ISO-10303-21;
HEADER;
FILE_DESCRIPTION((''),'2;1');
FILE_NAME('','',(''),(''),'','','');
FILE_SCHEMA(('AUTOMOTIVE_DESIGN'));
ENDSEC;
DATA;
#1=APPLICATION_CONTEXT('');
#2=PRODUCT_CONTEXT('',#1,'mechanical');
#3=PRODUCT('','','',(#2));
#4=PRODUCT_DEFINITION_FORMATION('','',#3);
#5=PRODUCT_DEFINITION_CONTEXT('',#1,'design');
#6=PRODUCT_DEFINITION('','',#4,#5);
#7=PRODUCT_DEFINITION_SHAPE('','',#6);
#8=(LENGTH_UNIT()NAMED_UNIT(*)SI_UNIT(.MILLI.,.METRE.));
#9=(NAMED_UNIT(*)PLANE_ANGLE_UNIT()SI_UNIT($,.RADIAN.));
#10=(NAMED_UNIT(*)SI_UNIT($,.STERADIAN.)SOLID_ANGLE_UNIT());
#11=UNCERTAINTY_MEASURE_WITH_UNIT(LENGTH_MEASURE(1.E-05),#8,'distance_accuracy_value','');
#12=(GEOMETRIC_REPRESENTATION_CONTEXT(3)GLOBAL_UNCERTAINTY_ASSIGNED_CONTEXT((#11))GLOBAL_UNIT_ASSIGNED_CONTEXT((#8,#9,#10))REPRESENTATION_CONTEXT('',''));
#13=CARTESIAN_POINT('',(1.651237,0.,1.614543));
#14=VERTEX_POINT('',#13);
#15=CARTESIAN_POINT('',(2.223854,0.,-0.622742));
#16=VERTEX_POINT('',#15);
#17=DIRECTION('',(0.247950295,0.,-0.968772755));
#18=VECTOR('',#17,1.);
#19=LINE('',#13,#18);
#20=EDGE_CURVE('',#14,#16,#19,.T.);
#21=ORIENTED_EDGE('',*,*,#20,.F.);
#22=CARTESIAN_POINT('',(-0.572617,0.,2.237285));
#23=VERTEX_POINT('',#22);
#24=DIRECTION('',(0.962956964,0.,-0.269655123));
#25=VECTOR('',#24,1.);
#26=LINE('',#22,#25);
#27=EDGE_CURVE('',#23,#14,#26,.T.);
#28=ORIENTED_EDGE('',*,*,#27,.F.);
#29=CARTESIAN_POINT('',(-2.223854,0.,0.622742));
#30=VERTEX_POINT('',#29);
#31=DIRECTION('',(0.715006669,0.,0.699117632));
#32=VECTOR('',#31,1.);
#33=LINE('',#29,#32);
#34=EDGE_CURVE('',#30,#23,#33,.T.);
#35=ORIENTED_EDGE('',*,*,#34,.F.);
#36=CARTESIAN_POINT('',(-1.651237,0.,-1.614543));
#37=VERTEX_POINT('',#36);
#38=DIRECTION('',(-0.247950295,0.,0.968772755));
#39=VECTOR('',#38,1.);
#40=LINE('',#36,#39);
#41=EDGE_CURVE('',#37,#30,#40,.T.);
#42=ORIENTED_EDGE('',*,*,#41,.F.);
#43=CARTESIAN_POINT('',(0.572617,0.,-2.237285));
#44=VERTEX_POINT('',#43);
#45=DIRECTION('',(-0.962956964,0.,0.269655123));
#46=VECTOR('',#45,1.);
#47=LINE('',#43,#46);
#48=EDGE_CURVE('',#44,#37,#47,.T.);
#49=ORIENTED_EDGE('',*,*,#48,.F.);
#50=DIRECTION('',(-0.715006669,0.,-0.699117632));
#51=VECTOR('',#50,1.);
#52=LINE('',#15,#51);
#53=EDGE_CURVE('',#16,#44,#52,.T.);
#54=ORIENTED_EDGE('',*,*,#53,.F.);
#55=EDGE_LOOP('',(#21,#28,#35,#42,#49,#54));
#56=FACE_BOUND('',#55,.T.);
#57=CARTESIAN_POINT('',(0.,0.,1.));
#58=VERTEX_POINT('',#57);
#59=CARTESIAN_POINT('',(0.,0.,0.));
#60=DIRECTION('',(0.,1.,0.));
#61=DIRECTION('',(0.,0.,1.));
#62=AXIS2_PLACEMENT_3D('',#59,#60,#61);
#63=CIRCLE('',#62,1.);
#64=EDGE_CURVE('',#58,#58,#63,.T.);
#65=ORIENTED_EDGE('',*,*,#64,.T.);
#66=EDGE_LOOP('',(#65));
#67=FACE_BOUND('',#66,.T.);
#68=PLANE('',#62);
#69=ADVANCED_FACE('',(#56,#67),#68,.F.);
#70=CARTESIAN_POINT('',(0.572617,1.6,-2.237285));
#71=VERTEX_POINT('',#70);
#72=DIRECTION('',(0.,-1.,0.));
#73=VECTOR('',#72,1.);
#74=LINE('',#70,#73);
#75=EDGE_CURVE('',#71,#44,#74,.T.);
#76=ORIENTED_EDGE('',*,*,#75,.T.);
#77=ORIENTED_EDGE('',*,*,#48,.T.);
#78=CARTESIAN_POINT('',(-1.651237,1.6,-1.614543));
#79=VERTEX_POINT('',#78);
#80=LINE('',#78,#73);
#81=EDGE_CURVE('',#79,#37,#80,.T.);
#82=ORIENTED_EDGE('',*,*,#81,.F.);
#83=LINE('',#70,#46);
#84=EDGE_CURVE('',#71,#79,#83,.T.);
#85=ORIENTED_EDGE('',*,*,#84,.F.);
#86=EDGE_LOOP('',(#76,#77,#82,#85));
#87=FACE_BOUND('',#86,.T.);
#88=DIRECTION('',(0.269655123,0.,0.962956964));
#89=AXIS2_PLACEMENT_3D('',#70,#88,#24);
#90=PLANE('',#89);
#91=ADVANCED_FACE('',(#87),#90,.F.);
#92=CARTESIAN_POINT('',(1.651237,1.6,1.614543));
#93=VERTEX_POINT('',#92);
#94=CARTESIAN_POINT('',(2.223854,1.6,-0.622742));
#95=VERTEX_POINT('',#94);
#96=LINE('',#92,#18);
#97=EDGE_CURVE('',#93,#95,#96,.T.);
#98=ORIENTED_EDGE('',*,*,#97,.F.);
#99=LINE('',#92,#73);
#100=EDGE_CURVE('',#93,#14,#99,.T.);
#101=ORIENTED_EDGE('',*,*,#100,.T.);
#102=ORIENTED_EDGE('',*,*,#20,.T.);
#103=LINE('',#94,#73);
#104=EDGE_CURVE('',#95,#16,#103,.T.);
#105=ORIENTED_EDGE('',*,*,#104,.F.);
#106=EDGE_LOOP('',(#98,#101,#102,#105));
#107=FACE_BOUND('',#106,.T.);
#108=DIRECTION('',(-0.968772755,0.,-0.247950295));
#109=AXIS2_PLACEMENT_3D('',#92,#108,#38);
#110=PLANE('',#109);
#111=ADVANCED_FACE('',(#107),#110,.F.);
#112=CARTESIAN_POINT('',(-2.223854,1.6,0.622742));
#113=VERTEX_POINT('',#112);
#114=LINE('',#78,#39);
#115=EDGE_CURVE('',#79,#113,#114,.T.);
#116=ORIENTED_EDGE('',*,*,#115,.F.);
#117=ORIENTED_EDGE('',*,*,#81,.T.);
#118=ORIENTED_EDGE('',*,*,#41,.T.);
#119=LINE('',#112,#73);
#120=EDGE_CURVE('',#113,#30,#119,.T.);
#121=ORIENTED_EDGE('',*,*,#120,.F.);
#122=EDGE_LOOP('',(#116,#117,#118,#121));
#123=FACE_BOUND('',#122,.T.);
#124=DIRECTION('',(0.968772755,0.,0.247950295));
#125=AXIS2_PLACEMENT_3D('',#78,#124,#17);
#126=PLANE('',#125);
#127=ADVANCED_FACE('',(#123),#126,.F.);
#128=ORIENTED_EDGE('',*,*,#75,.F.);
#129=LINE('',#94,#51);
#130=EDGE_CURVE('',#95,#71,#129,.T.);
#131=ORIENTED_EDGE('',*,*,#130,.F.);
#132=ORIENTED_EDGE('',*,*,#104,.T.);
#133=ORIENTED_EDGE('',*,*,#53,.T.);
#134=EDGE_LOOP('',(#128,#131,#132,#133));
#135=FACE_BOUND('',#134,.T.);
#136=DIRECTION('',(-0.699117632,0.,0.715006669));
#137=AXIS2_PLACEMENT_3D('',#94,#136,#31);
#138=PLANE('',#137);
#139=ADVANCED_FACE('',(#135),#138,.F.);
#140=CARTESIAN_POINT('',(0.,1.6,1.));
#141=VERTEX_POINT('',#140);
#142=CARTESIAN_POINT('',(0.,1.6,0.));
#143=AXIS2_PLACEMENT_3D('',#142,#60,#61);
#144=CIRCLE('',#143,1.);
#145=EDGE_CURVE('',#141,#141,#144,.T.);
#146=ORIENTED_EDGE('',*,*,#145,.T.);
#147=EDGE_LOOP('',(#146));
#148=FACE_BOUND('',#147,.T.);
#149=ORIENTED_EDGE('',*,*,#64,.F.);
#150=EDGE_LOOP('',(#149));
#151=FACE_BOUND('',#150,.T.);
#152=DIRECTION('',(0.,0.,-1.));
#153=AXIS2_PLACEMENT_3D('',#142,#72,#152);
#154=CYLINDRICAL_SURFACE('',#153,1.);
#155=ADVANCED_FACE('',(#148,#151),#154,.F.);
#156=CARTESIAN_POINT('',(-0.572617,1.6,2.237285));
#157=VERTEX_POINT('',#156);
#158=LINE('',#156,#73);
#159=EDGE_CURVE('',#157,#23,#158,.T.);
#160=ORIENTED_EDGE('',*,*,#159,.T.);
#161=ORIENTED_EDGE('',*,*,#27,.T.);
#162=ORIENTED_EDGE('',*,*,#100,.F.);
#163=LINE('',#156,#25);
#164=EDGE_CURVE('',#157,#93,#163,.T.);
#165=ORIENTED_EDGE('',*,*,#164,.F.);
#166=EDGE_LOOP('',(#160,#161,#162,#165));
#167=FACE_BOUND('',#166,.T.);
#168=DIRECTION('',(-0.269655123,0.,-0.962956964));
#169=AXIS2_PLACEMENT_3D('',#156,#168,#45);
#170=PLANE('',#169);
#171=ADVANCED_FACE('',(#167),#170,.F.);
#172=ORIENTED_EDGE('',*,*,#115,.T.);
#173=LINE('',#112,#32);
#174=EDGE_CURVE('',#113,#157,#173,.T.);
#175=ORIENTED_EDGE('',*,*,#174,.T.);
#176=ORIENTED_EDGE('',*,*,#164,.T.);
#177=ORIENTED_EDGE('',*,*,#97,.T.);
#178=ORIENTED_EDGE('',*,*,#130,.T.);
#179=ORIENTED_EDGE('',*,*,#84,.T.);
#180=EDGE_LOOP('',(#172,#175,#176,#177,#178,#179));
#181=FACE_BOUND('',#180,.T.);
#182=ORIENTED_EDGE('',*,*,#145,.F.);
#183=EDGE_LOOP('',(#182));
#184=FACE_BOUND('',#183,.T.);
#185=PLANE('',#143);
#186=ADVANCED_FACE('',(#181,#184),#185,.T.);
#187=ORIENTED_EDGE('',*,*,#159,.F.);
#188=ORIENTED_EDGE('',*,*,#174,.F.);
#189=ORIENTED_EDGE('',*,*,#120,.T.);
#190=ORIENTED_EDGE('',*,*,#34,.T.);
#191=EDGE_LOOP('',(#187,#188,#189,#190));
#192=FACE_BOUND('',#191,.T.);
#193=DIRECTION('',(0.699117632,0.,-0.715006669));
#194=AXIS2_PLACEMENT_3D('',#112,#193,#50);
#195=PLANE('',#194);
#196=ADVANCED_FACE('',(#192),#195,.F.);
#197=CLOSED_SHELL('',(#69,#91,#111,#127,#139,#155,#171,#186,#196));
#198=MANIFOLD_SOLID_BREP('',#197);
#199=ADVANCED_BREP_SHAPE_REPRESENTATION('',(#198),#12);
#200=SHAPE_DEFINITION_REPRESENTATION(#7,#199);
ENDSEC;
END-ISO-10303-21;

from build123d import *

# Parameters (mm, degrees)
SKETCH_1_R      = 1
EXTRUDE_1_DEPTH = 1.6


with BuildPart() as part:
    # 草图1 → 凸台-拉伸1 (new body)
    with BuildSketch(Plane(origin=(0, 0, 0), x_dir=(1, 0, 0), z_dir=(0, 1, 0))):
        Polygon((1.651237171, -1.614543012), (2.22385385, 0.622741832), (0.572616678, 2.237284844), (-1.651237171, 1.614543012), (-2.22385385, -0.622741832), (-0.572616678, -2.237284844), align=None)
        Circle(SKETCH_1_R, mode=Mode.SUBTRACT)
    extrude(amount=EXTRUDE_1_DEPTH)


solid = part.part
